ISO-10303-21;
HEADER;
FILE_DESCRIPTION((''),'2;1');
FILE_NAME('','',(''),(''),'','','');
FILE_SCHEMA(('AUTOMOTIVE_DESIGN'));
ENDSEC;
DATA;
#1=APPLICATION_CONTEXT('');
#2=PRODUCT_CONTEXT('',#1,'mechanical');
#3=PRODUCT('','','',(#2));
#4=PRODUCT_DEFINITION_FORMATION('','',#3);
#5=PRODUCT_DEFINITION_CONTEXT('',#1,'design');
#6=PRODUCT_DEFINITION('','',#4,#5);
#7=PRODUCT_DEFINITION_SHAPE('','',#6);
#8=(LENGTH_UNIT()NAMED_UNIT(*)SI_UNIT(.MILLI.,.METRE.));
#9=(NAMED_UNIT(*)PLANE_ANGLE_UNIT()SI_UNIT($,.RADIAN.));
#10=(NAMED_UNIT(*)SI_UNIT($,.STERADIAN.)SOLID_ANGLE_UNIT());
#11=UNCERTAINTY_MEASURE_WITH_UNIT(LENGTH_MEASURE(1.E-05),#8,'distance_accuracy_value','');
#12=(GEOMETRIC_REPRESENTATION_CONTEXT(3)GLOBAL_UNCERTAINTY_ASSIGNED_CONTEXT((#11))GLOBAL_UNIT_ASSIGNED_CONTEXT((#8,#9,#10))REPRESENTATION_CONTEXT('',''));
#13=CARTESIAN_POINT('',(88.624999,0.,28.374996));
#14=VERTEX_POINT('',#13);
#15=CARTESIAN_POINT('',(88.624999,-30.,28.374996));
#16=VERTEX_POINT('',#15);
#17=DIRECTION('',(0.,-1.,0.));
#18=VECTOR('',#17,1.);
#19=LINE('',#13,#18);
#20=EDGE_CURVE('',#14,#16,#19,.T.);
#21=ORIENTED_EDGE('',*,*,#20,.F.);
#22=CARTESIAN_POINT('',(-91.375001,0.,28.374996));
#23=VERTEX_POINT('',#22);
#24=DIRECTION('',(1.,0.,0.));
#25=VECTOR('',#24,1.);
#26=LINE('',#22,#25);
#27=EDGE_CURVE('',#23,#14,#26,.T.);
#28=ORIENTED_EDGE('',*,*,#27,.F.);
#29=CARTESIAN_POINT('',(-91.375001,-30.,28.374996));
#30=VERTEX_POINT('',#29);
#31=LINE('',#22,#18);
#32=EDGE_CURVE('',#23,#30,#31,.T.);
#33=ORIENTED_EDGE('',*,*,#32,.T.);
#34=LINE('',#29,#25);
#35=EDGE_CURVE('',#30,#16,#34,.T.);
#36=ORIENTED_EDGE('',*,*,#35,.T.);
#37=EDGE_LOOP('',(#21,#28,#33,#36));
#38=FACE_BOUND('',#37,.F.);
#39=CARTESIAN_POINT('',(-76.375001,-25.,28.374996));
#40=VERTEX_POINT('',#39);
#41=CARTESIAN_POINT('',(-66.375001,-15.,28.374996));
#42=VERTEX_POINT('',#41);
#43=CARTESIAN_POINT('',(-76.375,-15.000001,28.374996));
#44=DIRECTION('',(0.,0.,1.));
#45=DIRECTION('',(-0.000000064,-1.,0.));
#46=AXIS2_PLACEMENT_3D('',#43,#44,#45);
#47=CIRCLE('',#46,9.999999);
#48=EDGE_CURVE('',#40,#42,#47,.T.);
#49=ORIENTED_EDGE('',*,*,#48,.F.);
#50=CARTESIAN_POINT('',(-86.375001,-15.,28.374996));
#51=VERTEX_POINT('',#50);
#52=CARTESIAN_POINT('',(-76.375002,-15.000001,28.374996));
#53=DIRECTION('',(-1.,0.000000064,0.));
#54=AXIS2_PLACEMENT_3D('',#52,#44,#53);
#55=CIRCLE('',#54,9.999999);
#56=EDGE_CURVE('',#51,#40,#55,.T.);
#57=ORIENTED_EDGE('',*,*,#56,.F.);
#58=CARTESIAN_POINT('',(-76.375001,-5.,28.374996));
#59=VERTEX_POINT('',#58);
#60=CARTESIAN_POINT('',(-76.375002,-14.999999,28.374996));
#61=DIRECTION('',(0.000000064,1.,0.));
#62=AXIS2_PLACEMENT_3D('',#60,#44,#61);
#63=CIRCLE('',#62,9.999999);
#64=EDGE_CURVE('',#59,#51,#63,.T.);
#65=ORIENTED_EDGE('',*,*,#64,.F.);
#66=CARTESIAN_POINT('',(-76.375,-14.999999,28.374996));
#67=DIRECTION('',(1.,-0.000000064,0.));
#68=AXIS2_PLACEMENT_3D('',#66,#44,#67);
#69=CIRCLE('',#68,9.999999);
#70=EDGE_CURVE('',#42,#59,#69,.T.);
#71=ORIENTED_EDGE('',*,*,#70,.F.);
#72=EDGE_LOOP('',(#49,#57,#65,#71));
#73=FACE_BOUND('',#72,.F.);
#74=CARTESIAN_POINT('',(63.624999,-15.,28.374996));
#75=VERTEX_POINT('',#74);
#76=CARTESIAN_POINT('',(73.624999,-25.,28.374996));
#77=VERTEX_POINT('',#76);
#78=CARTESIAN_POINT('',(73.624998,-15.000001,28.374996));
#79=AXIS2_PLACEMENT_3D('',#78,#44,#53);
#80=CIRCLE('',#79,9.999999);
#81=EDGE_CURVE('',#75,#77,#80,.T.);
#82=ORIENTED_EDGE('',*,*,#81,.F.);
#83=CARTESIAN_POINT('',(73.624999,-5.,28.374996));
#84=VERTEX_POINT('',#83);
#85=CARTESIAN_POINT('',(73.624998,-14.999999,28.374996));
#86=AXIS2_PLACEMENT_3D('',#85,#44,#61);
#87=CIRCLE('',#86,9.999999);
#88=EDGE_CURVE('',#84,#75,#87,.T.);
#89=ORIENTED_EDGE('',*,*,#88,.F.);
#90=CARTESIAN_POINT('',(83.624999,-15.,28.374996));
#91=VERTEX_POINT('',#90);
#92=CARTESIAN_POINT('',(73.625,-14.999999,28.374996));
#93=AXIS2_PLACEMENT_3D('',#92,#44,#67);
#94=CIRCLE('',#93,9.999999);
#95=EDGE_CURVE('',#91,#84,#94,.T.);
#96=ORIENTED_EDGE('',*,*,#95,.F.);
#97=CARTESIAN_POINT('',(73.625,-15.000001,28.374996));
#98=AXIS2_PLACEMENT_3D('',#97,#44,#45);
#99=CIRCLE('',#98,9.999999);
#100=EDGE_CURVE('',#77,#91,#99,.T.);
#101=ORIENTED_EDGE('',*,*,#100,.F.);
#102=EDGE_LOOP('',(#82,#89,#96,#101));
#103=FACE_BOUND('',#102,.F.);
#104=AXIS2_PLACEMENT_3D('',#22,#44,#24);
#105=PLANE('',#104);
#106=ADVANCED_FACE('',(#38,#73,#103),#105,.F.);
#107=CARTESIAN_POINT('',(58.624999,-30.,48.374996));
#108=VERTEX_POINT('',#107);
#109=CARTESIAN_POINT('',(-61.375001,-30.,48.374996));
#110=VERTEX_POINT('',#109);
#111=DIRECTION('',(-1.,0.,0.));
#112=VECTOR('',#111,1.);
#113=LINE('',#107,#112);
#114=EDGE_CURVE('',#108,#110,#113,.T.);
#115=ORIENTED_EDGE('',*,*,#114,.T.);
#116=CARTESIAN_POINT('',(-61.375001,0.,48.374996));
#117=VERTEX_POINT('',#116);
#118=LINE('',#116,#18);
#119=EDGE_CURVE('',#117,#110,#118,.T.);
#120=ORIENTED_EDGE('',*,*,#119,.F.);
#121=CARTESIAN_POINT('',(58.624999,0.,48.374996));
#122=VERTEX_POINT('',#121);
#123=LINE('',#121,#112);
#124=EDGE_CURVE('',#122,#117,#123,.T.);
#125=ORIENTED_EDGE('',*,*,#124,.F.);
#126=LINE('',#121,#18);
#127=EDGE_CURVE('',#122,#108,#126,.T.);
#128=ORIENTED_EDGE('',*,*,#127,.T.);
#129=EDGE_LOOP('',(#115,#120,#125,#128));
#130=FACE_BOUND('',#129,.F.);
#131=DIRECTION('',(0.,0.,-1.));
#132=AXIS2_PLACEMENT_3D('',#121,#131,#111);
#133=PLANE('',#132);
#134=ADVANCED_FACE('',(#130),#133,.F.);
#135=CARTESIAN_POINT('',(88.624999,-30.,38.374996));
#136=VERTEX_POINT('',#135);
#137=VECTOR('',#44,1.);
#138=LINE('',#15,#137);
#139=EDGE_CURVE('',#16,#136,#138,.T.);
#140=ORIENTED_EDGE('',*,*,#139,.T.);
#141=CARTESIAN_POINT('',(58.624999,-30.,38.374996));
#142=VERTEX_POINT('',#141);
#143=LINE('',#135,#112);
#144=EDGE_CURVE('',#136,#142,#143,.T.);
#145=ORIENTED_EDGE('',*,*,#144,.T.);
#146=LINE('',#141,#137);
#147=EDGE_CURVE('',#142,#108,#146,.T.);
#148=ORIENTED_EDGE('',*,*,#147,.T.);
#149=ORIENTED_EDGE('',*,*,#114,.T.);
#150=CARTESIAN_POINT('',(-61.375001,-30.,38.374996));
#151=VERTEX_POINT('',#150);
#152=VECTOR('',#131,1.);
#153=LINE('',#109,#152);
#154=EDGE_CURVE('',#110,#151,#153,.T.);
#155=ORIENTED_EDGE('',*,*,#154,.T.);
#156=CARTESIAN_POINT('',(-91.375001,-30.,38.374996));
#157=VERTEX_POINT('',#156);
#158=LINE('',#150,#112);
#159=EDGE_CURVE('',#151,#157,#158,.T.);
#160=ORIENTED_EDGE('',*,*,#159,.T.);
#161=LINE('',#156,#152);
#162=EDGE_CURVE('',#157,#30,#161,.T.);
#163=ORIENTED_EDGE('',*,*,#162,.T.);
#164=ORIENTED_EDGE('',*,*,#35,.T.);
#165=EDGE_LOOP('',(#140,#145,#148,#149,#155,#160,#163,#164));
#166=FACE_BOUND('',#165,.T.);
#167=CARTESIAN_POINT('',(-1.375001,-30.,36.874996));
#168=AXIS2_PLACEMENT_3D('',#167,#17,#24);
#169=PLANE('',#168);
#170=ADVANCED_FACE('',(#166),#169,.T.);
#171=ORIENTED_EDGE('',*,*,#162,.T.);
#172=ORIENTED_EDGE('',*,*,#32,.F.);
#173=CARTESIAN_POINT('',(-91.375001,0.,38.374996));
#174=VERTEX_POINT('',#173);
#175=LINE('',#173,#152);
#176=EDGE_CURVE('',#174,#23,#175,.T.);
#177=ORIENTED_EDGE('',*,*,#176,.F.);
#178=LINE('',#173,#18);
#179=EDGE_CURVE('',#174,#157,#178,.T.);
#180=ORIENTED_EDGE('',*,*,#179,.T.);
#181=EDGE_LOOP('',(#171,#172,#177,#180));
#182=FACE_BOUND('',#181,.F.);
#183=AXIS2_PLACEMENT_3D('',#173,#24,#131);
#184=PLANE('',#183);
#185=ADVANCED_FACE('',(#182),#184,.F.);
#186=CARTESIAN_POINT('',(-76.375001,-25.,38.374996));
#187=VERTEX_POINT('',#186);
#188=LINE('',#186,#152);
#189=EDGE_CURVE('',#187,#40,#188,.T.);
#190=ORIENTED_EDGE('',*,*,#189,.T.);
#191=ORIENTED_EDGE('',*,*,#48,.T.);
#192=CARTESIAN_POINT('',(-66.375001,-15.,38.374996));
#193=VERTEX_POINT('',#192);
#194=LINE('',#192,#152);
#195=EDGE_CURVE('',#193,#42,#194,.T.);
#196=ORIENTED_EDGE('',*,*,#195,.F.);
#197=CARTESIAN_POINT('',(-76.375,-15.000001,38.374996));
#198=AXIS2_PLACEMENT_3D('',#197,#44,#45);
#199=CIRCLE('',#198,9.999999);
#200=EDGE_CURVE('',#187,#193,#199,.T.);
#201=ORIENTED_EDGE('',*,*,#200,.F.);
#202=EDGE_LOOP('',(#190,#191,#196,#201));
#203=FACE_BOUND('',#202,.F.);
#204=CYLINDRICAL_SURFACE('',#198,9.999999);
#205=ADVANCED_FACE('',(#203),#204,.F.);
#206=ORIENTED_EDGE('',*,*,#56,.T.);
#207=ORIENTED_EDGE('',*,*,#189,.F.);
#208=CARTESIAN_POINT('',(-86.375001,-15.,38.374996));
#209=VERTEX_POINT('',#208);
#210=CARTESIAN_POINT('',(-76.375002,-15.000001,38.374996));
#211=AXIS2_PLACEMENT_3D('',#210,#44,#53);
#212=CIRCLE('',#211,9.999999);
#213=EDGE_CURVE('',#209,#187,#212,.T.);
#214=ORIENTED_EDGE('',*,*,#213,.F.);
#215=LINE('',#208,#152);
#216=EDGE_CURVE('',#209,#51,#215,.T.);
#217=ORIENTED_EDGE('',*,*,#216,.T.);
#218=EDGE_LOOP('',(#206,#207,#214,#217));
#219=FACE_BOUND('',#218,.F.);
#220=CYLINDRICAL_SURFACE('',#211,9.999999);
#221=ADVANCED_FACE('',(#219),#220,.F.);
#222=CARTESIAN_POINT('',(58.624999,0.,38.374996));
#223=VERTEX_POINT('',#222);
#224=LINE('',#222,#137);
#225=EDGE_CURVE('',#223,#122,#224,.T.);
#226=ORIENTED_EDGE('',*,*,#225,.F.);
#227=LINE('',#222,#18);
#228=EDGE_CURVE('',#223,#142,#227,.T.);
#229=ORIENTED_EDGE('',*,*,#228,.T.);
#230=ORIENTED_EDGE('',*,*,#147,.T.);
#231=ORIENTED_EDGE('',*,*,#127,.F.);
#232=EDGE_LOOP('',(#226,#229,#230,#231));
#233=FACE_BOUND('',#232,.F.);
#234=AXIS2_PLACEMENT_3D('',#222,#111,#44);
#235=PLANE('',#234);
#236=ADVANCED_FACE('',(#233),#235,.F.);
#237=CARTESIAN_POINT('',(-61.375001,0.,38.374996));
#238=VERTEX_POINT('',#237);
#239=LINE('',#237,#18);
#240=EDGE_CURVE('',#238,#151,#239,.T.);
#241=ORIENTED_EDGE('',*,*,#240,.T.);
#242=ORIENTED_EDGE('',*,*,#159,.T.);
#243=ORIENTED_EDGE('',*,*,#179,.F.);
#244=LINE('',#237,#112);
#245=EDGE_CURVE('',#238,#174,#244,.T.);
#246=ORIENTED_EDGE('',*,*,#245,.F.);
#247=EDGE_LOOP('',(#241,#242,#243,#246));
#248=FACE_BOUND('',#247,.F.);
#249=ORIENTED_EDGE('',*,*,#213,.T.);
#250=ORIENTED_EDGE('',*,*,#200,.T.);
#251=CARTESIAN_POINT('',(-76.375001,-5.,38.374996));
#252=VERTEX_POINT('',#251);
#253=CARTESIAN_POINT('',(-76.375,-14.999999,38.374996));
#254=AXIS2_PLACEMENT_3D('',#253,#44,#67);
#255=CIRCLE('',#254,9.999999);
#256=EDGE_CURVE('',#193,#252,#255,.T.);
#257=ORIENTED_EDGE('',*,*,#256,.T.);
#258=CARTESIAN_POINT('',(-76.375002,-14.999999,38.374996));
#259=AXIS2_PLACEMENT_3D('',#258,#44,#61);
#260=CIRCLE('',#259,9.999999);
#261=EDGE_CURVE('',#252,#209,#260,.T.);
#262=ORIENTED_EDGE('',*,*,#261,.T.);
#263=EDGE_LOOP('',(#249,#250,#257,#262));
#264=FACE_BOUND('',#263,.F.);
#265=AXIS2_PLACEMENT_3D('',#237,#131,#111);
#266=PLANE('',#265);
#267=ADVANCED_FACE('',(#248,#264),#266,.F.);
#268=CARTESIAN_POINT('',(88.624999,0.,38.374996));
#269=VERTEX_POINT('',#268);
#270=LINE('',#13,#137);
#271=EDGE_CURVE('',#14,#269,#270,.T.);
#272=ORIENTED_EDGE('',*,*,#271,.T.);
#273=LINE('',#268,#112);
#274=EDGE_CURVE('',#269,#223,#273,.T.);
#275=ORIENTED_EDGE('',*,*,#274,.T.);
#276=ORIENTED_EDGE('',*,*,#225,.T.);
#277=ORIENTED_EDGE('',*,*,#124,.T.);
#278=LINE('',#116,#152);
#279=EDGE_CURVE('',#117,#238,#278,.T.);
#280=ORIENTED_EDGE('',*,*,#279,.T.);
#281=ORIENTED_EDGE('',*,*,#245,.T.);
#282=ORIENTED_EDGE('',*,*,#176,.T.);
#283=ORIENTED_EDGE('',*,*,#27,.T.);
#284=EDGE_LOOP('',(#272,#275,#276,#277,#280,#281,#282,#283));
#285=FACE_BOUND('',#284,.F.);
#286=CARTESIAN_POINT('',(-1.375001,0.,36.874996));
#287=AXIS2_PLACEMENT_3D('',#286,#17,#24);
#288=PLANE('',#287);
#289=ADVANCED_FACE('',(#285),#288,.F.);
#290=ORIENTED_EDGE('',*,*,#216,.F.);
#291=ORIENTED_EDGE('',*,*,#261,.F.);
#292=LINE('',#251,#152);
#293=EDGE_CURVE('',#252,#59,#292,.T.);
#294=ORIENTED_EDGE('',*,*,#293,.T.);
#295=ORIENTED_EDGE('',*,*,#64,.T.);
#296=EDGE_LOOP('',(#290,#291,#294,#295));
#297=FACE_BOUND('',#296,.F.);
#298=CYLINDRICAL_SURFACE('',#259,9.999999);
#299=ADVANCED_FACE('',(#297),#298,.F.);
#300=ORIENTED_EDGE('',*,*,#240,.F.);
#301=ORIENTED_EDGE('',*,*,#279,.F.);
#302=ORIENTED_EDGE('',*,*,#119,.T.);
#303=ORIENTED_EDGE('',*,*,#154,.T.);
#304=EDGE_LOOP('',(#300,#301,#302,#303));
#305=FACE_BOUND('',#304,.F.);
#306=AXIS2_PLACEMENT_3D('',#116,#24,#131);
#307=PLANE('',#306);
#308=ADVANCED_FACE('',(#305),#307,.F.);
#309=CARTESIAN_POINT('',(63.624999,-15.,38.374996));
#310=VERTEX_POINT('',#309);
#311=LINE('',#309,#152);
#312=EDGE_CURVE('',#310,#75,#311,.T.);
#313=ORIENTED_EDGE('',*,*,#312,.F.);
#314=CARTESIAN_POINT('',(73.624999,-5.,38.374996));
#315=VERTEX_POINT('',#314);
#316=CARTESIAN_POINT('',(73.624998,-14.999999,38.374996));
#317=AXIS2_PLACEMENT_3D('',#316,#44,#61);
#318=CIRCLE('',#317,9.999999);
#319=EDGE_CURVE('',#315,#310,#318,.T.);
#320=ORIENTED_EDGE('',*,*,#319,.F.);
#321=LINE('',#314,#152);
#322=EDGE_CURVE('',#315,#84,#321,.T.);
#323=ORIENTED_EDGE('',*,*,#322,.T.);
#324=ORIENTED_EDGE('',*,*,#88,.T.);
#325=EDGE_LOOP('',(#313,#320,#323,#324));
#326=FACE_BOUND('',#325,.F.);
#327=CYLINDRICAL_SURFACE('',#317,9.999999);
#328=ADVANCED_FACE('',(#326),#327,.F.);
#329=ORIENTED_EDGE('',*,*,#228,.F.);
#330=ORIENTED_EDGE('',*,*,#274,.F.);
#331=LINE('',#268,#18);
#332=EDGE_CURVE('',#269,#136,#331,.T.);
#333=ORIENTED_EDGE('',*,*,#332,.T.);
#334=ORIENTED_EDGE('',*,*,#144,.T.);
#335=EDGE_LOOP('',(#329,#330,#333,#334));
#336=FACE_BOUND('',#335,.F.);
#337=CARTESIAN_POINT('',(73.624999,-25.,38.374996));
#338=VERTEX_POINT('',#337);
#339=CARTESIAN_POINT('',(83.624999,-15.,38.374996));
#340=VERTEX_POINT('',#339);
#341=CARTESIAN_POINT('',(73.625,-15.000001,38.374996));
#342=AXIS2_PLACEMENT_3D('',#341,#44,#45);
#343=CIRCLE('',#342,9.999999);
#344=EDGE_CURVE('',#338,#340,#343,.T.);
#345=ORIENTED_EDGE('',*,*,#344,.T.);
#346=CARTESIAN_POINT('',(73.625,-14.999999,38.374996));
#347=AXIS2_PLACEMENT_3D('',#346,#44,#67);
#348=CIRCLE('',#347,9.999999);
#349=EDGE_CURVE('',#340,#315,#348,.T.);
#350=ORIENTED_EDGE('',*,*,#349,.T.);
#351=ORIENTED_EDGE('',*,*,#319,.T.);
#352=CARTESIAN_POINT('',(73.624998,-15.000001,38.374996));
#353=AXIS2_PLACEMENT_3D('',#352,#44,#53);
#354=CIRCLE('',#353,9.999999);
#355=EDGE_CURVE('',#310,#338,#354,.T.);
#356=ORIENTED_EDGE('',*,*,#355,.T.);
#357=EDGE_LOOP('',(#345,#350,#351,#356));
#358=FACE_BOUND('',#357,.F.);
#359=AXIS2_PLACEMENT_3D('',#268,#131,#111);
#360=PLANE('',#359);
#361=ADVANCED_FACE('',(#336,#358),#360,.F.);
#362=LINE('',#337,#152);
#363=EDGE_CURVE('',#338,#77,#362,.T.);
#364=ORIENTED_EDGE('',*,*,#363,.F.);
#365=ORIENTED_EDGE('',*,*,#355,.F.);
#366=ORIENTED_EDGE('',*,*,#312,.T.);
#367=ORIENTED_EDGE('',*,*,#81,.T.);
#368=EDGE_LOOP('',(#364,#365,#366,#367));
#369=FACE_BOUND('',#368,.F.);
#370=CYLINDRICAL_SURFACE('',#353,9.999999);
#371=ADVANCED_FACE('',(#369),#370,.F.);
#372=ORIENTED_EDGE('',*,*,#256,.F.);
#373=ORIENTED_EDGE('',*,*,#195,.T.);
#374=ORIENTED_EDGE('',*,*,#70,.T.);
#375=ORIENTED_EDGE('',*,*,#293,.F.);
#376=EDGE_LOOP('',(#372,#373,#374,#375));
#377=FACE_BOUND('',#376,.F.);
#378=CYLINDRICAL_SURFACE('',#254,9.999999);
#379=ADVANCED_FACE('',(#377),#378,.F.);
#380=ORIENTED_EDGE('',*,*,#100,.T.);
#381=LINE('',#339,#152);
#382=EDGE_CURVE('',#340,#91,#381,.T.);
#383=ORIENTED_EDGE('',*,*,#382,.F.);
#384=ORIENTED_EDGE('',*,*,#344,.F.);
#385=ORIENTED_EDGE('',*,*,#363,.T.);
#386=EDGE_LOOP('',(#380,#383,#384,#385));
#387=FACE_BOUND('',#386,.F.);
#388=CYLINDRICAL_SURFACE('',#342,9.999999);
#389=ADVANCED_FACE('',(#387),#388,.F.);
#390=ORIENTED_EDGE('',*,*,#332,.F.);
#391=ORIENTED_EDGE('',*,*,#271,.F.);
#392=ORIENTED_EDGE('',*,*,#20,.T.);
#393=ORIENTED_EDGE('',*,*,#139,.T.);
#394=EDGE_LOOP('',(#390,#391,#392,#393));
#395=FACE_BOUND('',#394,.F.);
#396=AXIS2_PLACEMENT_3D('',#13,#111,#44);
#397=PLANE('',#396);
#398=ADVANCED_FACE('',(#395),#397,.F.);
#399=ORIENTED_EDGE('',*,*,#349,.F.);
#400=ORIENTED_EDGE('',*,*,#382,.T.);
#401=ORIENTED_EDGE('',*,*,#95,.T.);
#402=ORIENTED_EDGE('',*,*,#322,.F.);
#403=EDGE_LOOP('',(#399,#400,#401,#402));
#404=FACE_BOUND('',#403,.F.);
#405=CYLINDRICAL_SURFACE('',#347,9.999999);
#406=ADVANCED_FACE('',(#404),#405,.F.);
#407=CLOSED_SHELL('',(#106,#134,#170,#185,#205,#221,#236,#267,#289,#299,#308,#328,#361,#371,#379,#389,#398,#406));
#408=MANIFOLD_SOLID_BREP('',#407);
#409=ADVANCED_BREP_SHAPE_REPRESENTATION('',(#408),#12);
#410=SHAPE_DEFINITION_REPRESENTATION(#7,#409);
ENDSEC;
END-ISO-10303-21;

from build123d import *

# Parameters (mm, degrees)
F1_DEPTH = 30
F4_DEPTH = 25
F5_DEPTH = 25


with BuildPart() as f1:
    # F0 (on Front) → F1 (new body)
    with BuildSketch(Plane.XZ):
        Polygon((-91.375001, 38.374996), (-91.375001, 28.374996), (88.624999, 28.374996), (88.624999, 38.374996), (58.624999, 38.374996), (58.624999, 48.374996), (-61.375001, 48.374996), (-61.375001, 38.374996), align=None)
    extrude(amount=F1_DEPTH)

    # F3 (on face) → F4 (cut)
    with BuildSketch(Plane.XY.offset(38.374996)):
        with BuildLine():
            ThreePointArc((-76.375001, -25), (-69.303933, -22.071068), (-66.375001, -15))
            ThreePointArc((-66.375001, -15), (-69.303933, -7.928932), (-76.375001, -5))
            ThreePointArc((-76.375001, -5), (-83.446069, -7.928932), (-86.375001, -15))
            ThreePointArc((-86.375001, -15), (-83.446069, -22.071068), (-76.375001, -25))
        make_face()
    extrude(amount=-F4_DEPTH, mode=Mode.SUBTRACT)

    # F2 (on face) → F5 (cut)
    with BuildSketch(Plane.XY.offset(38.374996)):
        with BuildLine():
            ThreePointArc((73.624999, -25), (80.696067, -22.071068), (83.624999, -15))
            ThreePointArc((83.624999, -15), (80.696067, -7.928932), (73.624999, -5))
            ThreePointArc((73.624999, -5), (66.553931, -7.928932), (63.624999, -15))
            ThreePointArc((63.624999, -15), (66.553931, -22.071068), (73.624999, -25))
        make_face()
    extrude(amount=-F5_DEPTH, mode=Mode.SUBTRACT)


solid = f1.part
